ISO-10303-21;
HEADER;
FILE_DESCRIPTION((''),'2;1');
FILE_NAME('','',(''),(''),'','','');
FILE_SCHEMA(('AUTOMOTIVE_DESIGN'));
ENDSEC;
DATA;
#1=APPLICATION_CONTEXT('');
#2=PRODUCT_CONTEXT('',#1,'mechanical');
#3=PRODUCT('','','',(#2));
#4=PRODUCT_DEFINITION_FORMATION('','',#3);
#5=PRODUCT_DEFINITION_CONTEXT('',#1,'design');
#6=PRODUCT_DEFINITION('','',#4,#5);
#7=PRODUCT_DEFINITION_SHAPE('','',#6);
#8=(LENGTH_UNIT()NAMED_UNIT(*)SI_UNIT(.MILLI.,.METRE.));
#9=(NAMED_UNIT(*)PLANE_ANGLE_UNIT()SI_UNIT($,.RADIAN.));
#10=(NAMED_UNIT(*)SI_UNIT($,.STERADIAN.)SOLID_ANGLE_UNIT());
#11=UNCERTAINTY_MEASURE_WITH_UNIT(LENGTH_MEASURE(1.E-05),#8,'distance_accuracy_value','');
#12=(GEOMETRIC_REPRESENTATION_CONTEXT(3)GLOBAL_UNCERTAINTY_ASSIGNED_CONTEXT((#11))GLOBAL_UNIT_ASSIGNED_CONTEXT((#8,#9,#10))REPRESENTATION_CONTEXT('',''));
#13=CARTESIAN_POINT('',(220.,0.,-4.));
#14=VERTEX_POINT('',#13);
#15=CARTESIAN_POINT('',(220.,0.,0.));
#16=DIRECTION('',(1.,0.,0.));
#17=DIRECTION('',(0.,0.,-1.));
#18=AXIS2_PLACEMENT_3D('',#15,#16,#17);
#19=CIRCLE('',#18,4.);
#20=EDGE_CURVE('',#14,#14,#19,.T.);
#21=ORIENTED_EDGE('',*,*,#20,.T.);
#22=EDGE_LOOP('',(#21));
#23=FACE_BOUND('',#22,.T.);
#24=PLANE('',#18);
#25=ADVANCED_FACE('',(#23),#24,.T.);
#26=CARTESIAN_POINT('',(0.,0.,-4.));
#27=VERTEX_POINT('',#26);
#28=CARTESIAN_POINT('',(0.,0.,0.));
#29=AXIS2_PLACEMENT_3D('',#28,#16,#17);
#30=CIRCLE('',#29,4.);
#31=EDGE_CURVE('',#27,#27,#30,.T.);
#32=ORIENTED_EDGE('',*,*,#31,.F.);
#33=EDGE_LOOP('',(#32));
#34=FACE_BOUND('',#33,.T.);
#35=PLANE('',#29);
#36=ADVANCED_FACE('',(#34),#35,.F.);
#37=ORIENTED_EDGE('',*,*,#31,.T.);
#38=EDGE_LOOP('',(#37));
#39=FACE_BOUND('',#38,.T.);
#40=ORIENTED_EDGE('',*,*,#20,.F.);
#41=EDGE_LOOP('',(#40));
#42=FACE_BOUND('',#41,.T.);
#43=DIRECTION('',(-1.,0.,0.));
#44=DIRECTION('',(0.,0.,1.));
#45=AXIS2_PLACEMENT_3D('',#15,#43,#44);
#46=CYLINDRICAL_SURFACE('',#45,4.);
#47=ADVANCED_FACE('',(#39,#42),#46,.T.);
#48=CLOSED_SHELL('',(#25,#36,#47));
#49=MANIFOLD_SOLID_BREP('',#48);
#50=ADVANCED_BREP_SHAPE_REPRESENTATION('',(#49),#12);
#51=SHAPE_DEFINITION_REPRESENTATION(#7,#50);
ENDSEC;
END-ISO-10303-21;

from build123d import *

# Parameters (mm, degrees)
SKETCH_1_R      = 4
EXTRUDE_1_DEPTH = 220


with BuildPart() as part:
    # Эскиз1 → Бобышка-Вытянуть1 (new body)
    with BuildSketch(Plane(origin=(0, 0, 0), x_dir=(0, 0, -1), z_dir=(1, 0, 0))):
        Circle(SKETCH_1_R)
    extrude(amount=EXTRUDE_1_DEPTH)


solid = part.part
